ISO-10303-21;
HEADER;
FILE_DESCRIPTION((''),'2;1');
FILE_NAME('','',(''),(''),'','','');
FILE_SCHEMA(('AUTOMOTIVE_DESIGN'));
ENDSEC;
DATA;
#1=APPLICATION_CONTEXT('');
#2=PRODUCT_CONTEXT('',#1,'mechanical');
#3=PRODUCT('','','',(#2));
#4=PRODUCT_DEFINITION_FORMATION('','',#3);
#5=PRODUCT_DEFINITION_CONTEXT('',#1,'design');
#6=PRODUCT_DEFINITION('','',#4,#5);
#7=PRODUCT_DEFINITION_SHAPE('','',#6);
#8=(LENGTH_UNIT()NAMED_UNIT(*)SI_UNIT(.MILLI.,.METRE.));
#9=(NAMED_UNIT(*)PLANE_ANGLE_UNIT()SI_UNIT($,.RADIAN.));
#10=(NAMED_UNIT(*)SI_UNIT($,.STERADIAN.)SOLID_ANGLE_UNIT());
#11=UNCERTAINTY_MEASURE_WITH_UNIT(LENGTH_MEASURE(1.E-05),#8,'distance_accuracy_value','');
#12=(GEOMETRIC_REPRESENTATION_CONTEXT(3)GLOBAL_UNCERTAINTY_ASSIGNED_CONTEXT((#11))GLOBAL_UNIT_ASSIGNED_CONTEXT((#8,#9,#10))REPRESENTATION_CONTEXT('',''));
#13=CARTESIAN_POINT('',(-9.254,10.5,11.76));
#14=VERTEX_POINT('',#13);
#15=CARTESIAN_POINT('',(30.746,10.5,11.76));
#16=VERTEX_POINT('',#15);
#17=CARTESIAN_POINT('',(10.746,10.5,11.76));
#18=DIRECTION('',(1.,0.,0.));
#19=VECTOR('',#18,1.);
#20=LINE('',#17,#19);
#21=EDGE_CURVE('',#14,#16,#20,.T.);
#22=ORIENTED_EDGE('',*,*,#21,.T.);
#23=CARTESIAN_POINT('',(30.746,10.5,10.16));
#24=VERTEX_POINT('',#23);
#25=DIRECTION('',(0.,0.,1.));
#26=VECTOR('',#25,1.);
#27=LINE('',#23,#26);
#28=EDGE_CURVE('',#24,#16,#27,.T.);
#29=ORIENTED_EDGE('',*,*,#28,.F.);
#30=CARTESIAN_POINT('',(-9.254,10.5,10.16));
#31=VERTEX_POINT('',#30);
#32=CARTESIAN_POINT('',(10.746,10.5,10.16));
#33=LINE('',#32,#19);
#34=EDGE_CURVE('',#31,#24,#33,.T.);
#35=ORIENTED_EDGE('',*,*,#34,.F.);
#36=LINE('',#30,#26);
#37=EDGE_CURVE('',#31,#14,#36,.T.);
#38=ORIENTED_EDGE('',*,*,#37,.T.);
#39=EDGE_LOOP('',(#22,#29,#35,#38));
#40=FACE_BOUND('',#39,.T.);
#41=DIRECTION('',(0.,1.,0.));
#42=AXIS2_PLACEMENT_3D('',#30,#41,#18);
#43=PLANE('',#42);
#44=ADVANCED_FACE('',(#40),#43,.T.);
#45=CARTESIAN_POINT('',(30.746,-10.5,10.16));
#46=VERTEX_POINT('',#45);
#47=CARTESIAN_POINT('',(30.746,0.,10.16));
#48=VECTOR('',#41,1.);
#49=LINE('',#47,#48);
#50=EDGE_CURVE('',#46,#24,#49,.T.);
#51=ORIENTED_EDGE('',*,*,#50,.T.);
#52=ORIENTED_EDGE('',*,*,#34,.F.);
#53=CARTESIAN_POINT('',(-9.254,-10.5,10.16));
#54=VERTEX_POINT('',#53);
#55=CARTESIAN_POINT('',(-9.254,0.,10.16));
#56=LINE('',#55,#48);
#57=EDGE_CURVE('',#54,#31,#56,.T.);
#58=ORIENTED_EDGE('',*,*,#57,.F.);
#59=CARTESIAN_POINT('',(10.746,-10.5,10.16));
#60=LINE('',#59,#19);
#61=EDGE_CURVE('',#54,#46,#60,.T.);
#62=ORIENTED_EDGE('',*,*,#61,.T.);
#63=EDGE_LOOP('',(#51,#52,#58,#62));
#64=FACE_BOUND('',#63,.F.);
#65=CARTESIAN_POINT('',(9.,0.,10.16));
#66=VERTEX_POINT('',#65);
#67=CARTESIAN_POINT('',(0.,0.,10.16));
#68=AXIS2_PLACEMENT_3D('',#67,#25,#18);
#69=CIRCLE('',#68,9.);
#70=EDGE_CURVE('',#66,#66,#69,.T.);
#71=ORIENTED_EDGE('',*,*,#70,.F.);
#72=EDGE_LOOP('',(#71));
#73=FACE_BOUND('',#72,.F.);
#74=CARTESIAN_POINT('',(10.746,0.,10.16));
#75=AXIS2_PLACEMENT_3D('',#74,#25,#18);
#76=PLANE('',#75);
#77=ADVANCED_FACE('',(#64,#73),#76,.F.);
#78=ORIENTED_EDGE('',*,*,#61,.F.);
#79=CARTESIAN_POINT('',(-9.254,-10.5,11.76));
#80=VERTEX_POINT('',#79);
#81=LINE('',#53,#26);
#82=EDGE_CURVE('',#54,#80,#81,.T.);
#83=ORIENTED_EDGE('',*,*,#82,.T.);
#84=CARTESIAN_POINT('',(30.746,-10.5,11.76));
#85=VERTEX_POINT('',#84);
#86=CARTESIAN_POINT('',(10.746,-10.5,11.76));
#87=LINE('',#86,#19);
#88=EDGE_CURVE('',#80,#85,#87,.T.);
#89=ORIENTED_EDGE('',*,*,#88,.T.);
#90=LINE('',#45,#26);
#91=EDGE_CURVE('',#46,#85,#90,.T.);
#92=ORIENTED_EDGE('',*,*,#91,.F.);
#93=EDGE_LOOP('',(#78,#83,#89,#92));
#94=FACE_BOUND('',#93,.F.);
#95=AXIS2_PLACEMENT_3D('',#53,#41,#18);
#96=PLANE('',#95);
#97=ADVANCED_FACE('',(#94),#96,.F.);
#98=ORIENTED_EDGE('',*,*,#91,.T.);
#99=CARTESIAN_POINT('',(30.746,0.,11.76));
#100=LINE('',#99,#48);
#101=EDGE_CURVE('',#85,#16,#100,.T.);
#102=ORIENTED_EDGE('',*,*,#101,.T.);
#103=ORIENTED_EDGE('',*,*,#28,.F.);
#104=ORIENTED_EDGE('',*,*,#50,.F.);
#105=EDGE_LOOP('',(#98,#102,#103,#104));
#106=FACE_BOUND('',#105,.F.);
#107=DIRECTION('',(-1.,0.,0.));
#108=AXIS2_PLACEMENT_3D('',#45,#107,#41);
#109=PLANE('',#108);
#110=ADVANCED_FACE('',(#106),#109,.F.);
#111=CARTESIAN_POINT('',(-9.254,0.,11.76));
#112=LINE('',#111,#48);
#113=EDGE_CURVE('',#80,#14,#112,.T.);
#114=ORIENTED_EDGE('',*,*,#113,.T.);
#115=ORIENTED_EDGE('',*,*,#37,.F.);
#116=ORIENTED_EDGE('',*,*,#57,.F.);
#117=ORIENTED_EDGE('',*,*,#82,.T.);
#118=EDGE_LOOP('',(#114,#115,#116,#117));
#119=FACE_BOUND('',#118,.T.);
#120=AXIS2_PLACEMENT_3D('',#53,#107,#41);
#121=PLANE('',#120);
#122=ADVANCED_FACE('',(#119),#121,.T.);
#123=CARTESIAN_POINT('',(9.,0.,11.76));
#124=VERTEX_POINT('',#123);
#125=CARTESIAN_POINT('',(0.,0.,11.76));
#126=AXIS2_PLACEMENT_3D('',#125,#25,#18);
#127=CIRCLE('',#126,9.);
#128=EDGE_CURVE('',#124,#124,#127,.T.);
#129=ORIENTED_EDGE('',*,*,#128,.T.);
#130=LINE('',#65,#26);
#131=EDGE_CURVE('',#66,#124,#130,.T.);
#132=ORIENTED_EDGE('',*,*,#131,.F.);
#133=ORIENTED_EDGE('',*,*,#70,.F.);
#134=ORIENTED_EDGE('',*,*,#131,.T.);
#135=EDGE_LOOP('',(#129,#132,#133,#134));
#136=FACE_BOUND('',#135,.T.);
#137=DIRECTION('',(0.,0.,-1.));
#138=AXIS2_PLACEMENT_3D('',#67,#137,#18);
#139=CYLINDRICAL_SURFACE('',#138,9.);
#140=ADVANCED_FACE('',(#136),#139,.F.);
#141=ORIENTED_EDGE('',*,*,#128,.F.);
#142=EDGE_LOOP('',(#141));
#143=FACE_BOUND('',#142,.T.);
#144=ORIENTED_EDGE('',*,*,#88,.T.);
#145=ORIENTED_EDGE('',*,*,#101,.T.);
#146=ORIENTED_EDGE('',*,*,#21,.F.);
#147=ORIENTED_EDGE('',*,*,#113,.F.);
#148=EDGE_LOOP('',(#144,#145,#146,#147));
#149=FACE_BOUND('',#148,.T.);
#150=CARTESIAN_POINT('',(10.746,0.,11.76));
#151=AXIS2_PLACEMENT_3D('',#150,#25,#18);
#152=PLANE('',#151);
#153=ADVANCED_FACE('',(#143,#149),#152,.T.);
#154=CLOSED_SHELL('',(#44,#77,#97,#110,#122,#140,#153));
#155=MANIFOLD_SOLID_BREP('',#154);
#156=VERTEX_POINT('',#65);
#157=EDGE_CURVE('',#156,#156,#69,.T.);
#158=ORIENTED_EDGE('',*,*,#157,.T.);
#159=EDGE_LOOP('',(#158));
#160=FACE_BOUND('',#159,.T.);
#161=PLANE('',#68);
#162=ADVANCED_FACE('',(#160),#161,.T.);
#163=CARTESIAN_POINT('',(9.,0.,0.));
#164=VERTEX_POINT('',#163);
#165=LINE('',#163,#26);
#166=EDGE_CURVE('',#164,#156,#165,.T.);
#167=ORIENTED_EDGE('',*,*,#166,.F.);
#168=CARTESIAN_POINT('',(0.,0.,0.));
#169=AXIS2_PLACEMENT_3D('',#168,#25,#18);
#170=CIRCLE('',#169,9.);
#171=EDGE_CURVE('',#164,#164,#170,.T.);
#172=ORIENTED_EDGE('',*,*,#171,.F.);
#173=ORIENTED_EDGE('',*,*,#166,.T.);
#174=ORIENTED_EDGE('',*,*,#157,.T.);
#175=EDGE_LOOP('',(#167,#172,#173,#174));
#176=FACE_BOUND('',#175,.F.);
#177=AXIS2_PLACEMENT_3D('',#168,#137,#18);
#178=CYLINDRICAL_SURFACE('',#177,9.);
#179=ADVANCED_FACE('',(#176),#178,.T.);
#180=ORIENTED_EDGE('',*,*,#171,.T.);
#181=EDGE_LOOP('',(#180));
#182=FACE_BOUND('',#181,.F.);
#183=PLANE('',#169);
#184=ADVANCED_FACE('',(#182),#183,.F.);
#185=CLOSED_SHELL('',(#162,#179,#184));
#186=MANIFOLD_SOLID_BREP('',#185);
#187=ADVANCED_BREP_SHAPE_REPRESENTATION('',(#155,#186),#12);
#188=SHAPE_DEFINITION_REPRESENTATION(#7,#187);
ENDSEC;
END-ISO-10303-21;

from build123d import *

# Parameters (mm, degrees)
F0_R     = 9
F1_DEPTH = 10.16
F2_W     = 40
F2_H     = 21
F2_R     = 9
F3_DEPTH = 1.6


with BuildPart() as f1:
    # F0 (on Top) → F1 (new body)
    with BuildSketch(Plane.XY):
        Circle(F0_R)
    extrude(amount=F1_DEPTH)


with BuildPart() as f3:
    # F2 (on face) → F3 (new body)
    with BuildSketch(Plane.XY.offset(10.16)):
        with Locations((10.746, 0)):
            Rectangle(F2_W, F2_H)
        Circle(F2_R, mode=Mode.SUBTRACT)
    extrude(amount=F3_DEPTH)


solid = Compound([f1.part, f3.part])
